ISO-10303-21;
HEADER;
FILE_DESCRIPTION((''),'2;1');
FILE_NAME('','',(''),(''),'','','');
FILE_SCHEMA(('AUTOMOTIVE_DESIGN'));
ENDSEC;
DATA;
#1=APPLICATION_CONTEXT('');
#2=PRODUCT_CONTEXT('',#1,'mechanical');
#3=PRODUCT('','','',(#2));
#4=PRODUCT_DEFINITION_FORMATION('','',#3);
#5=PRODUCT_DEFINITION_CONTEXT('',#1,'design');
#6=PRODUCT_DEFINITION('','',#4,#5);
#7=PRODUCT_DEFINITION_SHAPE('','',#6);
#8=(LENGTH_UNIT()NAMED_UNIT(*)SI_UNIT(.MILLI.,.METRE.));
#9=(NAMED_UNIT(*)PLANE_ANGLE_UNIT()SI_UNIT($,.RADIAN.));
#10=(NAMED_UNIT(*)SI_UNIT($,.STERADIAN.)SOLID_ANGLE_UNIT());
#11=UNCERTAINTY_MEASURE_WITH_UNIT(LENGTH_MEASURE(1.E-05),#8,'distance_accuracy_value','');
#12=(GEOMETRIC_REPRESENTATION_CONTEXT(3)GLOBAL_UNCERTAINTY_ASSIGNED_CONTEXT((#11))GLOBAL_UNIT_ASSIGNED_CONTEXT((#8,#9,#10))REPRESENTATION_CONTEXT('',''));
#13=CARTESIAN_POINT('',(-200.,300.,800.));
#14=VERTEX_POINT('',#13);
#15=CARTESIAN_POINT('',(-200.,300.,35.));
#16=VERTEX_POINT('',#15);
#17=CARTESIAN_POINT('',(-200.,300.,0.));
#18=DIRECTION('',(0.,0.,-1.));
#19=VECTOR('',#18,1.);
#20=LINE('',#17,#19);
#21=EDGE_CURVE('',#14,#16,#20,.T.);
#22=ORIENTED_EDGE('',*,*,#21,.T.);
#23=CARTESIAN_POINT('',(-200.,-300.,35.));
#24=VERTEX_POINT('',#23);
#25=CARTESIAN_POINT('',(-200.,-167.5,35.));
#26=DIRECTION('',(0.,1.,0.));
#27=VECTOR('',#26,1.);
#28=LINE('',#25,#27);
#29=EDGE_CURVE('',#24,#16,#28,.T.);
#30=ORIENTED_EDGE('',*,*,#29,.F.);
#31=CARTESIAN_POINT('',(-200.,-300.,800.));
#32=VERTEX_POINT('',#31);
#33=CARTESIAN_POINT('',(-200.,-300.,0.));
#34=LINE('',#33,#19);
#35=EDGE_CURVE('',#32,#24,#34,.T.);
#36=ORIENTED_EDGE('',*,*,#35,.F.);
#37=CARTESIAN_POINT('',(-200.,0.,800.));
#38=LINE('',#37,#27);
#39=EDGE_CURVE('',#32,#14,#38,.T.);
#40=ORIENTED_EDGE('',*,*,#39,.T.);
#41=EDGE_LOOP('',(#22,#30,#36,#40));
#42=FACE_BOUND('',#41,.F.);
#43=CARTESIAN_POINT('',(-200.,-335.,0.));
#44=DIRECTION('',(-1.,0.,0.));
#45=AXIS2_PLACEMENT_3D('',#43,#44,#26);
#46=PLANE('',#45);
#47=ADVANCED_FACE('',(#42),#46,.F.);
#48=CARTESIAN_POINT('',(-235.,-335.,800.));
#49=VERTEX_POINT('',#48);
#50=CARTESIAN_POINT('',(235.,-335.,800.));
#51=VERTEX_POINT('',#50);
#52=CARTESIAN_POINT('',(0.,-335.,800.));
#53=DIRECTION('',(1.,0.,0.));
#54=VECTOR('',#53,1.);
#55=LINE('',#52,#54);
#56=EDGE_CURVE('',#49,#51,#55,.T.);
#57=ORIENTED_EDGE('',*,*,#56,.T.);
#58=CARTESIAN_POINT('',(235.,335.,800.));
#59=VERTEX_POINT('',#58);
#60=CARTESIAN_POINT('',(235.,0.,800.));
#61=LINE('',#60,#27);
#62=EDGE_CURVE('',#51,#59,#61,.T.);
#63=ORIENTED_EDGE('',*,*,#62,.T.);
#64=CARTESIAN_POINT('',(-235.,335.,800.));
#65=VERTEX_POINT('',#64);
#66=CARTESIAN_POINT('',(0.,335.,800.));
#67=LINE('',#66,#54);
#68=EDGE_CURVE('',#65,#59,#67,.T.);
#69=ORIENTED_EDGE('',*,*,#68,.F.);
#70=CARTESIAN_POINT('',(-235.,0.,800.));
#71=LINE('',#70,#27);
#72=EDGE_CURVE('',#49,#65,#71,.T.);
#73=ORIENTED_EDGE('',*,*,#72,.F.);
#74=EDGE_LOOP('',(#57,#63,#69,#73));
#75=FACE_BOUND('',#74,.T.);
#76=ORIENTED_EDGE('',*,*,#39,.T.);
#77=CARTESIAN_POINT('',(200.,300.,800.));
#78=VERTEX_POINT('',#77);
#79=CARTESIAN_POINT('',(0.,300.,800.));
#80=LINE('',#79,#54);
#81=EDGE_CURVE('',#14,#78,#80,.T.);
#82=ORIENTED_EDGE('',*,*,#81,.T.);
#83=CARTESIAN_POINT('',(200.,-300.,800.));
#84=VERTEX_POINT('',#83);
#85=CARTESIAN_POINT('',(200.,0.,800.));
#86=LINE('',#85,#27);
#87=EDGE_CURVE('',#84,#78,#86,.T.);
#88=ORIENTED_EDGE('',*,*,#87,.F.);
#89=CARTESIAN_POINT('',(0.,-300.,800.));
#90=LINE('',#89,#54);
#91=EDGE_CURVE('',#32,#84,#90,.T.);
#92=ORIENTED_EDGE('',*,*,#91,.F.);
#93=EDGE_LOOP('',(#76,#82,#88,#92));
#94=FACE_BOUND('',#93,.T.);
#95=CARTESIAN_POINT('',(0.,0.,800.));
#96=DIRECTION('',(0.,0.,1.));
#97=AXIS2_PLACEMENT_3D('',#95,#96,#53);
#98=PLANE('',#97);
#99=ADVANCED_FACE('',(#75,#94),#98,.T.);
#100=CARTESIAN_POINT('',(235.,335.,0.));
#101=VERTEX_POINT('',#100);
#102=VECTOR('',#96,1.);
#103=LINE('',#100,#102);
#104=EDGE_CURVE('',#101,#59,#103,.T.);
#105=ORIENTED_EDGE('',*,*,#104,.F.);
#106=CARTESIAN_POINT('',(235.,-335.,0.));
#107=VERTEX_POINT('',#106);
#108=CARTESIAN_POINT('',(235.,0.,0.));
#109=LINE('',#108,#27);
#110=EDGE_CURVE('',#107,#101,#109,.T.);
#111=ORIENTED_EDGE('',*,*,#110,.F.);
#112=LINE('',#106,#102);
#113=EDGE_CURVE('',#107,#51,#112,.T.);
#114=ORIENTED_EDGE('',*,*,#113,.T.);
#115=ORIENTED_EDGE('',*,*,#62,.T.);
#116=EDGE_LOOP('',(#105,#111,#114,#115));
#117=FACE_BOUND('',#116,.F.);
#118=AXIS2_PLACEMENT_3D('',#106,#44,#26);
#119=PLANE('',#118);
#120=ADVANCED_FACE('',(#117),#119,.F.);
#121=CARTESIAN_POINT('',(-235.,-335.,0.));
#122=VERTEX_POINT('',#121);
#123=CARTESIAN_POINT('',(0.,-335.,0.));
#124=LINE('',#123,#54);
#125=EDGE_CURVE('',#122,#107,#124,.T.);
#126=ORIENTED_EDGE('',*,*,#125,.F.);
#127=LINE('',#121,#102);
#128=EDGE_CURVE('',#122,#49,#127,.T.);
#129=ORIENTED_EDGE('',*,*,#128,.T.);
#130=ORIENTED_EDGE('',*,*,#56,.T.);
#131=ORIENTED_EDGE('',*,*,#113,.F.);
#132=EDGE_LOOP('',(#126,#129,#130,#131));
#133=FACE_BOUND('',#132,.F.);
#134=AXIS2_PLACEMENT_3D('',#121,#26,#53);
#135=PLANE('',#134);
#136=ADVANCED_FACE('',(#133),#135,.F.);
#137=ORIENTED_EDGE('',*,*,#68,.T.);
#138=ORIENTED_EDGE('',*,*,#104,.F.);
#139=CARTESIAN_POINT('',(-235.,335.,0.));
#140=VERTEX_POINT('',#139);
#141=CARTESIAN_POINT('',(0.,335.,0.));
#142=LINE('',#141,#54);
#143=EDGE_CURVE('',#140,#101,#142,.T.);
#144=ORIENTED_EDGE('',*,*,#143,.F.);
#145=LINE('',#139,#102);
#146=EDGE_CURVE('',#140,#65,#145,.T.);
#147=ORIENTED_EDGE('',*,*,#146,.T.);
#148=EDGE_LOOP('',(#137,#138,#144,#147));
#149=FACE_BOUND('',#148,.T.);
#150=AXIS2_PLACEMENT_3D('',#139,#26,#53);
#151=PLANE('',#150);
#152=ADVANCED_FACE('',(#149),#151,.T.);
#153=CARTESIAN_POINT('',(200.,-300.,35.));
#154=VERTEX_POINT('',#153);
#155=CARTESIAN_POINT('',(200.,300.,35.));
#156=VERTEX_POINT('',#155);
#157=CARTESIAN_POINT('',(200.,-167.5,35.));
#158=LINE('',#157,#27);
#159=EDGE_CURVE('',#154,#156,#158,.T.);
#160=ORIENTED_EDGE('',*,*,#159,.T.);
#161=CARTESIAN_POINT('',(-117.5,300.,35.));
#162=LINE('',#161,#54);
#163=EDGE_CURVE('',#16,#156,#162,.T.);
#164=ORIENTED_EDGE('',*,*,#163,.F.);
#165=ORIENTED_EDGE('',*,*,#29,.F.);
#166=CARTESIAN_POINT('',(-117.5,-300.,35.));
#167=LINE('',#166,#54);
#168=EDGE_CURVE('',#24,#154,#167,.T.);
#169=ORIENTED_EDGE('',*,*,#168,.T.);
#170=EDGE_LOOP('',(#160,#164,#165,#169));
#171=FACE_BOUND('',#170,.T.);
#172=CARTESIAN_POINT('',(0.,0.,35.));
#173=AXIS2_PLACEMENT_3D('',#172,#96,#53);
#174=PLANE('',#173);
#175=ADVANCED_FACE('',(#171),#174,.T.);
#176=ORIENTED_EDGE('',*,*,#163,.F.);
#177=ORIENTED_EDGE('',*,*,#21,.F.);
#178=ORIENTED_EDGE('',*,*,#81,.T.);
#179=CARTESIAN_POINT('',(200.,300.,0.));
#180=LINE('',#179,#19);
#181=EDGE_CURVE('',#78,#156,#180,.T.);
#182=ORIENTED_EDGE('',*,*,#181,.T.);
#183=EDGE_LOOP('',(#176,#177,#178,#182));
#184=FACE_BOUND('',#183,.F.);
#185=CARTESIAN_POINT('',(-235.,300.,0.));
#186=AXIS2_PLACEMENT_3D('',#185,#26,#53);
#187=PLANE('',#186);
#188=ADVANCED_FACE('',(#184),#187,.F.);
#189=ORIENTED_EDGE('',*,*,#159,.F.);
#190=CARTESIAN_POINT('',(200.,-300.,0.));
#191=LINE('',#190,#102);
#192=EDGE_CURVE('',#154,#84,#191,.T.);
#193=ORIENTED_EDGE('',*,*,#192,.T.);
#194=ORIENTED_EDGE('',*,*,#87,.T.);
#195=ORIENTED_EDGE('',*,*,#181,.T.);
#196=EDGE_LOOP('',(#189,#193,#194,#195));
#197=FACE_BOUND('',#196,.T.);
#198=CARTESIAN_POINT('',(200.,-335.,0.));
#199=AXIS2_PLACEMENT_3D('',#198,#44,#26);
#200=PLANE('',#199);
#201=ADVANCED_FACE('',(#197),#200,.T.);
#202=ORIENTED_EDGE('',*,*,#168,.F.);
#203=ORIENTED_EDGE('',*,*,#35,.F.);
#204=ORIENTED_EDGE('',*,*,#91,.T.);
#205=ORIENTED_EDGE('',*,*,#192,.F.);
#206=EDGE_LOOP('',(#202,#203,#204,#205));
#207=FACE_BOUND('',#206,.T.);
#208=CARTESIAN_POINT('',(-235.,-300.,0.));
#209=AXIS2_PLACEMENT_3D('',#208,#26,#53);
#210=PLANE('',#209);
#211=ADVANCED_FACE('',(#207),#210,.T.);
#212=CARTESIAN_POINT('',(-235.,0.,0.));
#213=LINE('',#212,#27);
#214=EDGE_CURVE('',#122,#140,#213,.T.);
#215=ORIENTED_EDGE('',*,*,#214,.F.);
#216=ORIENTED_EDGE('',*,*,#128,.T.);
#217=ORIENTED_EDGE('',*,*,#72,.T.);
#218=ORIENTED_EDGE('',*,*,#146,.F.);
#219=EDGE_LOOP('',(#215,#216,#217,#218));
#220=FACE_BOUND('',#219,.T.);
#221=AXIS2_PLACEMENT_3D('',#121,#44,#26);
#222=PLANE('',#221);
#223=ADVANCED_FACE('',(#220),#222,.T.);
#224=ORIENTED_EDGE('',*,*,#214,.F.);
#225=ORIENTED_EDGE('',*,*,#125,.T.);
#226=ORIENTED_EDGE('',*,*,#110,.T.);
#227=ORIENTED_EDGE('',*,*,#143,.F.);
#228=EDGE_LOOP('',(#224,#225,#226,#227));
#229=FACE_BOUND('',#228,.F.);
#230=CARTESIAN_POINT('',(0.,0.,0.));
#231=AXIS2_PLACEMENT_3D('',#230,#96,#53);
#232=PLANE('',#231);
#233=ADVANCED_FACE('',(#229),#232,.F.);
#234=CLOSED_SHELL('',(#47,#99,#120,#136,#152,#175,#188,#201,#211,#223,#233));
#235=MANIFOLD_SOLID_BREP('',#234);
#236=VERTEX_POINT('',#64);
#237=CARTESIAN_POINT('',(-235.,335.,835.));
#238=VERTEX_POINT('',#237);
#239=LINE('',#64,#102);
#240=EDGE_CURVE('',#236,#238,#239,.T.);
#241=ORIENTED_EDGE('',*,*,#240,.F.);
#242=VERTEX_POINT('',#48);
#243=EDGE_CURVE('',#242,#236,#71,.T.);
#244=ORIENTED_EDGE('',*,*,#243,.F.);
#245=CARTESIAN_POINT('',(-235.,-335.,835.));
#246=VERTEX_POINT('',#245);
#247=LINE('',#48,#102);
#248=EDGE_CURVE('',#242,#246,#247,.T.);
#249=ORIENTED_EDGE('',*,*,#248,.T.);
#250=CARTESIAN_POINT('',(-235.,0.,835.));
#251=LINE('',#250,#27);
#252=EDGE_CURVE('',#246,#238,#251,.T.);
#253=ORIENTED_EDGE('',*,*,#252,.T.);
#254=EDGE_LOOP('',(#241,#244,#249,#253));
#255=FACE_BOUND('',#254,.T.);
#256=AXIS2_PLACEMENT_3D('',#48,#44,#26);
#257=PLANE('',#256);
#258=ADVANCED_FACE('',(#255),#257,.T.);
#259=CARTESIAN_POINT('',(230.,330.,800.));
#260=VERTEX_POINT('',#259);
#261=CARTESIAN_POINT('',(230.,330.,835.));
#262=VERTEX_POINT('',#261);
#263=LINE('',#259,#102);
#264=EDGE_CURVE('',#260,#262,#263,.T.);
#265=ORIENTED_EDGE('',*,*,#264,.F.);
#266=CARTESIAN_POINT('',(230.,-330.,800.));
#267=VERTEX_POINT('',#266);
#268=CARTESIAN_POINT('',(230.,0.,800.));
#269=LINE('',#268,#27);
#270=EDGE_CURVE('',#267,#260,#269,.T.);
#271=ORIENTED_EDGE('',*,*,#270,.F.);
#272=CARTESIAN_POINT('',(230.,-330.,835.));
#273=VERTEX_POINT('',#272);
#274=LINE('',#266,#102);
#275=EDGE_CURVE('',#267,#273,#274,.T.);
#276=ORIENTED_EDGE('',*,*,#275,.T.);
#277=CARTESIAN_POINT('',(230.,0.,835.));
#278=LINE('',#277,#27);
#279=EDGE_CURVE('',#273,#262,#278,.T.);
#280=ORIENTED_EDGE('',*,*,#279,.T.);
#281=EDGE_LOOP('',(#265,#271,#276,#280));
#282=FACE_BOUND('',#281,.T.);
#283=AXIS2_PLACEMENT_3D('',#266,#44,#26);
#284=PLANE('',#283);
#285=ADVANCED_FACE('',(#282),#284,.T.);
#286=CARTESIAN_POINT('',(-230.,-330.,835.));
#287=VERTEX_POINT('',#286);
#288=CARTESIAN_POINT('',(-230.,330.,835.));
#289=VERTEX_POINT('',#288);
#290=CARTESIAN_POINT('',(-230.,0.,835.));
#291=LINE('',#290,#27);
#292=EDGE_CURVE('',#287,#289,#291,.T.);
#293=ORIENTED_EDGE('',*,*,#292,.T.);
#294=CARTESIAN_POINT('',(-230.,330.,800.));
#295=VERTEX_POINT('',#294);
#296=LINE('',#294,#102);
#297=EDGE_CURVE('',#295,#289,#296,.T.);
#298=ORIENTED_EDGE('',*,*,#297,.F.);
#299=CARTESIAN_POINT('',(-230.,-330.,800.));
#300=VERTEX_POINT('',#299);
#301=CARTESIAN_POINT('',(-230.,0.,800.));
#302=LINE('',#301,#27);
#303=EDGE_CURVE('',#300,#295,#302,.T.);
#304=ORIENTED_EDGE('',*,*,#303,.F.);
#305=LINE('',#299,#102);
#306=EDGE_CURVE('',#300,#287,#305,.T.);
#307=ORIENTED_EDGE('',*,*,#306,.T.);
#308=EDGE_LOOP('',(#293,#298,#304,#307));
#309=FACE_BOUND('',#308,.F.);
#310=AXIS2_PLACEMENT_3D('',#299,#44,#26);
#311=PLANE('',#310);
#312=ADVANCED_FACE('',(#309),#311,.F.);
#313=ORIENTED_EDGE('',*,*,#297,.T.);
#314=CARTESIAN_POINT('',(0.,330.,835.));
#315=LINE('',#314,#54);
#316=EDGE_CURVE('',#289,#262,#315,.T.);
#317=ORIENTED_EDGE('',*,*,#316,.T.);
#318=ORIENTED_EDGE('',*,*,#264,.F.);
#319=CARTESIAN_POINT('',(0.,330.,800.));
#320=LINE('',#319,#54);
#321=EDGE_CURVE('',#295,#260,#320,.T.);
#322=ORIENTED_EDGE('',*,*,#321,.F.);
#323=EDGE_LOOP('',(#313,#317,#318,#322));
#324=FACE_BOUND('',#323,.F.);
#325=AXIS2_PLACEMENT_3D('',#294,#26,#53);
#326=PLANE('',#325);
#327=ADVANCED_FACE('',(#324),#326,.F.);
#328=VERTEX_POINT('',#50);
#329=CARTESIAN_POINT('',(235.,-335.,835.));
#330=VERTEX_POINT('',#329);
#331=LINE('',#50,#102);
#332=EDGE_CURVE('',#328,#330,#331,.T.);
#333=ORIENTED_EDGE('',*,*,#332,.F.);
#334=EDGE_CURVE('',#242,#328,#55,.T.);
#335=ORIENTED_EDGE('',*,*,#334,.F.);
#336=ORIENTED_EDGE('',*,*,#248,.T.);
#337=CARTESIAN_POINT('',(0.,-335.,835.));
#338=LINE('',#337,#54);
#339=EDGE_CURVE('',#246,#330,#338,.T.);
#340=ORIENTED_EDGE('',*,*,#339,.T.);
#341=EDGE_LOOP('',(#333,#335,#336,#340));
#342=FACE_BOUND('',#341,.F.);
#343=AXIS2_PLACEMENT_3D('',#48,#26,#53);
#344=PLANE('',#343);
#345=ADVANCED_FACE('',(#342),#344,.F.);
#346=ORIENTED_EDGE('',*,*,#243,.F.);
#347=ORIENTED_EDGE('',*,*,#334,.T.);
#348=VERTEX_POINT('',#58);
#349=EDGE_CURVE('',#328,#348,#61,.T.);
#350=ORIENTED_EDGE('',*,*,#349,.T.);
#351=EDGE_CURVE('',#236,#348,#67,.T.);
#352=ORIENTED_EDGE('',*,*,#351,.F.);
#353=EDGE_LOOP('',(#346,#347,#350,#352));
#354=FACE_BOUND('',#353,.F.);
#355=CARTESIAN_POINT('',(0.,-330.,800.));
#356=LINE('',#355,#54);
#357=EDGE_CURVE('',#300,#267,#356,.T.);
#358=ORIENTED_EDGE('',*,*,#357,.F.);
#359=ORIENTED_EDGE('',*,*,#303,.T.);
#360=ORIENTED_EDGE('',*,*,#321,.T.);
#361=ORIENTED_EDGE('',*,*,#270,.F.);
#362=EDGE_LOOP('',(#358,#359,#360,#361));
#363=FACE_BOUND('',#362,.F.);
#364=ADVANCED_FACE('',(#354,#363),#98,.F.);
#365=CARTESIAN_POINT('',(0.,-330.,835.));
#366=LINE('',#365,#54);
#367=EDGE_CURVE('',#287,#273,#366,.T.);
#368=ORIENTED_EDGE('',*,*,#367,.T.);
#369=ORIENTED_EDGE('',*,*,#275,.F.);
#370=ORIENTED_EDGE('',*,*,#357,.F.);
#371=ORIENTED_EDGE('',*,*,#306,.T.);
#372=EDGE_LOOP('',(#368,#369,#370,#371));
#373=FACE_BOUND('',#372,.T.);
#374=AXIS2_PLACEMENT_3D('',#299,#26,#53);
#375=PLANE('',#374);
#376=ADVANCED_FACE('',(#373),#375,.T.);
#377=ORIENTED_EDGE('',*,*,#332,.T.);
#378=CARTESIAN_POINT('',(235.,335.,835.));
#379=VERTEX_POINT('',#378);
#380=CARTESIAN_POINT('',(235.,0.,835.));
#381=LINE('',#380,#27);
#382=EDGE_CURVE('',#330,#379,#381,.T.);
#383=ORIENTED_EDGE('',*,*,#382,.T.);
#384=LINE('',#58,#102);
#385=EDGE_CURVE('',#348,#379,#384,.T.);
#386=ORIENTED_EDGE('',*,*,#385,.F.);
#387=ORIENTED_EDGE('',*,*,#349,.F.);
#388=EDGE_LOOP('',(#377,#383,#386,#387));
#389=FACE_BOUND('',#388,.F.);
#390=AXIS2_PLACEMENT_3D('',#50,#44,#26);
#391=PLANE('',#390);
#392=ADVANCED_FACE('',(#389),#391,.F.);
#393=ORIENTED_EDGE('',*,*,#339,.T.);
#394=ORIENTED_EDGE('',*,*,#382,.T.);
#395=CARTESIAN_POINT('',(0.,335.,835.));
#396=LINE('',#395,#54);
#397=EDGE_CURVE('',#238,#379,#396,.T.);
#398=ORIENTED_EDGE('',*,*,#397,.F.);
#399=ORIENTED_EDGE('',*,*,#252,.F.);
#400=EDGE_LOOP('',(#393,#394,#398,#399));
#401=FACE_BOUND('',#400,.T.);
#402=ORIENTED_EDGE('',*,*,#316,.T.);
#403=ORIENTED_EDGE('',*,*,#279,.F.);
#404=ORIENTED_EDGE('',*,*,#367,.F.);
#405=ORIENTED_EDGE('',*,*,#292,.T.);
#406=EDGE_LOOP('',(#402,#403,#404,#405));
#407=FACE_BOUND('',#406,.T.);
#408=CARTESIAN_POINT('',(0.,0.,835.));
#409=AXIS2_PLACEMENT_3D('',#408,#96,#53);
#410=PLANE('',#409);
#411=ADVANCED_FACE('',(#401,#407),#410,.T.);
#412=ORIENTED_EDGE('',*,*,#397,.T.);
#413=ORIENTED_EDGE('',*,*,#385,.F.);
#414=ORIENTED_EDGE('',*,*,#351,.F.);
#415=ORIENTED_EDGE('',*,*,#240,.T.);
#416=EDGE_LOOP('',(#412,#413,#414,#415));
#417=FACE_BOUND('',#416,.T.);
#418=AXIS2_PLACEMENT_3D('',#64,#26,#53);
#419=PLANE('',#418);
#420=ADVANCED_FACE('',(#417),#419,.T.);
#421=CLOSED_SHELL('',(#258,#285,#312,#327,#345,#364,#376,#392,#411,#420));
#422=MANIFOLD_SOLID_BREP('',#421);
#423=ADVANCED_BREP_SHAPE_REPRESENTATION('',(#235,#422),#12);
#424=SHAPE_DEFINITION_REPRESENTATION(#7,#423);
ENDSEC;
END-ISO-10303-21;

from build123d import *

# Parameters (mm, degrees)
F0_W     = 470
F0_H     = 670
F1_DEPTH = 800
F2_T     = -35
F3_W     = 470
F3_H     = 670
F3_W_2   = 460
F3_H_2   = 660
F4_DEPTH = 35


with BuildPart() as f1:
    # F0 (on Top) → F1 (new body)
    with BuildSketch(Plane.XY):
        Rectangle(F0_W, F0_H)
    extrude(amount=F1_DEPTH)

    # F2
    f2_openings = [f1.faces().sort_by_distance(p)[0] for p in [
        (0, 0, 800),
    ]]
    offset(amount=F2_T, openings=f2_openings)


with BuildPart() as f4:
    # F3 (on face) → F4 (new body)
    with BuildSketch(Plane.XY.offset(800)):
        Rectangle(F3_W, F3_H)
        Rectangle(F3_W_2, F3_H_2, mode=Mode.SUBTRACT)
    extrude(amount=F4_DEPTH)


solid = Compound([f1.part, f4.part])
